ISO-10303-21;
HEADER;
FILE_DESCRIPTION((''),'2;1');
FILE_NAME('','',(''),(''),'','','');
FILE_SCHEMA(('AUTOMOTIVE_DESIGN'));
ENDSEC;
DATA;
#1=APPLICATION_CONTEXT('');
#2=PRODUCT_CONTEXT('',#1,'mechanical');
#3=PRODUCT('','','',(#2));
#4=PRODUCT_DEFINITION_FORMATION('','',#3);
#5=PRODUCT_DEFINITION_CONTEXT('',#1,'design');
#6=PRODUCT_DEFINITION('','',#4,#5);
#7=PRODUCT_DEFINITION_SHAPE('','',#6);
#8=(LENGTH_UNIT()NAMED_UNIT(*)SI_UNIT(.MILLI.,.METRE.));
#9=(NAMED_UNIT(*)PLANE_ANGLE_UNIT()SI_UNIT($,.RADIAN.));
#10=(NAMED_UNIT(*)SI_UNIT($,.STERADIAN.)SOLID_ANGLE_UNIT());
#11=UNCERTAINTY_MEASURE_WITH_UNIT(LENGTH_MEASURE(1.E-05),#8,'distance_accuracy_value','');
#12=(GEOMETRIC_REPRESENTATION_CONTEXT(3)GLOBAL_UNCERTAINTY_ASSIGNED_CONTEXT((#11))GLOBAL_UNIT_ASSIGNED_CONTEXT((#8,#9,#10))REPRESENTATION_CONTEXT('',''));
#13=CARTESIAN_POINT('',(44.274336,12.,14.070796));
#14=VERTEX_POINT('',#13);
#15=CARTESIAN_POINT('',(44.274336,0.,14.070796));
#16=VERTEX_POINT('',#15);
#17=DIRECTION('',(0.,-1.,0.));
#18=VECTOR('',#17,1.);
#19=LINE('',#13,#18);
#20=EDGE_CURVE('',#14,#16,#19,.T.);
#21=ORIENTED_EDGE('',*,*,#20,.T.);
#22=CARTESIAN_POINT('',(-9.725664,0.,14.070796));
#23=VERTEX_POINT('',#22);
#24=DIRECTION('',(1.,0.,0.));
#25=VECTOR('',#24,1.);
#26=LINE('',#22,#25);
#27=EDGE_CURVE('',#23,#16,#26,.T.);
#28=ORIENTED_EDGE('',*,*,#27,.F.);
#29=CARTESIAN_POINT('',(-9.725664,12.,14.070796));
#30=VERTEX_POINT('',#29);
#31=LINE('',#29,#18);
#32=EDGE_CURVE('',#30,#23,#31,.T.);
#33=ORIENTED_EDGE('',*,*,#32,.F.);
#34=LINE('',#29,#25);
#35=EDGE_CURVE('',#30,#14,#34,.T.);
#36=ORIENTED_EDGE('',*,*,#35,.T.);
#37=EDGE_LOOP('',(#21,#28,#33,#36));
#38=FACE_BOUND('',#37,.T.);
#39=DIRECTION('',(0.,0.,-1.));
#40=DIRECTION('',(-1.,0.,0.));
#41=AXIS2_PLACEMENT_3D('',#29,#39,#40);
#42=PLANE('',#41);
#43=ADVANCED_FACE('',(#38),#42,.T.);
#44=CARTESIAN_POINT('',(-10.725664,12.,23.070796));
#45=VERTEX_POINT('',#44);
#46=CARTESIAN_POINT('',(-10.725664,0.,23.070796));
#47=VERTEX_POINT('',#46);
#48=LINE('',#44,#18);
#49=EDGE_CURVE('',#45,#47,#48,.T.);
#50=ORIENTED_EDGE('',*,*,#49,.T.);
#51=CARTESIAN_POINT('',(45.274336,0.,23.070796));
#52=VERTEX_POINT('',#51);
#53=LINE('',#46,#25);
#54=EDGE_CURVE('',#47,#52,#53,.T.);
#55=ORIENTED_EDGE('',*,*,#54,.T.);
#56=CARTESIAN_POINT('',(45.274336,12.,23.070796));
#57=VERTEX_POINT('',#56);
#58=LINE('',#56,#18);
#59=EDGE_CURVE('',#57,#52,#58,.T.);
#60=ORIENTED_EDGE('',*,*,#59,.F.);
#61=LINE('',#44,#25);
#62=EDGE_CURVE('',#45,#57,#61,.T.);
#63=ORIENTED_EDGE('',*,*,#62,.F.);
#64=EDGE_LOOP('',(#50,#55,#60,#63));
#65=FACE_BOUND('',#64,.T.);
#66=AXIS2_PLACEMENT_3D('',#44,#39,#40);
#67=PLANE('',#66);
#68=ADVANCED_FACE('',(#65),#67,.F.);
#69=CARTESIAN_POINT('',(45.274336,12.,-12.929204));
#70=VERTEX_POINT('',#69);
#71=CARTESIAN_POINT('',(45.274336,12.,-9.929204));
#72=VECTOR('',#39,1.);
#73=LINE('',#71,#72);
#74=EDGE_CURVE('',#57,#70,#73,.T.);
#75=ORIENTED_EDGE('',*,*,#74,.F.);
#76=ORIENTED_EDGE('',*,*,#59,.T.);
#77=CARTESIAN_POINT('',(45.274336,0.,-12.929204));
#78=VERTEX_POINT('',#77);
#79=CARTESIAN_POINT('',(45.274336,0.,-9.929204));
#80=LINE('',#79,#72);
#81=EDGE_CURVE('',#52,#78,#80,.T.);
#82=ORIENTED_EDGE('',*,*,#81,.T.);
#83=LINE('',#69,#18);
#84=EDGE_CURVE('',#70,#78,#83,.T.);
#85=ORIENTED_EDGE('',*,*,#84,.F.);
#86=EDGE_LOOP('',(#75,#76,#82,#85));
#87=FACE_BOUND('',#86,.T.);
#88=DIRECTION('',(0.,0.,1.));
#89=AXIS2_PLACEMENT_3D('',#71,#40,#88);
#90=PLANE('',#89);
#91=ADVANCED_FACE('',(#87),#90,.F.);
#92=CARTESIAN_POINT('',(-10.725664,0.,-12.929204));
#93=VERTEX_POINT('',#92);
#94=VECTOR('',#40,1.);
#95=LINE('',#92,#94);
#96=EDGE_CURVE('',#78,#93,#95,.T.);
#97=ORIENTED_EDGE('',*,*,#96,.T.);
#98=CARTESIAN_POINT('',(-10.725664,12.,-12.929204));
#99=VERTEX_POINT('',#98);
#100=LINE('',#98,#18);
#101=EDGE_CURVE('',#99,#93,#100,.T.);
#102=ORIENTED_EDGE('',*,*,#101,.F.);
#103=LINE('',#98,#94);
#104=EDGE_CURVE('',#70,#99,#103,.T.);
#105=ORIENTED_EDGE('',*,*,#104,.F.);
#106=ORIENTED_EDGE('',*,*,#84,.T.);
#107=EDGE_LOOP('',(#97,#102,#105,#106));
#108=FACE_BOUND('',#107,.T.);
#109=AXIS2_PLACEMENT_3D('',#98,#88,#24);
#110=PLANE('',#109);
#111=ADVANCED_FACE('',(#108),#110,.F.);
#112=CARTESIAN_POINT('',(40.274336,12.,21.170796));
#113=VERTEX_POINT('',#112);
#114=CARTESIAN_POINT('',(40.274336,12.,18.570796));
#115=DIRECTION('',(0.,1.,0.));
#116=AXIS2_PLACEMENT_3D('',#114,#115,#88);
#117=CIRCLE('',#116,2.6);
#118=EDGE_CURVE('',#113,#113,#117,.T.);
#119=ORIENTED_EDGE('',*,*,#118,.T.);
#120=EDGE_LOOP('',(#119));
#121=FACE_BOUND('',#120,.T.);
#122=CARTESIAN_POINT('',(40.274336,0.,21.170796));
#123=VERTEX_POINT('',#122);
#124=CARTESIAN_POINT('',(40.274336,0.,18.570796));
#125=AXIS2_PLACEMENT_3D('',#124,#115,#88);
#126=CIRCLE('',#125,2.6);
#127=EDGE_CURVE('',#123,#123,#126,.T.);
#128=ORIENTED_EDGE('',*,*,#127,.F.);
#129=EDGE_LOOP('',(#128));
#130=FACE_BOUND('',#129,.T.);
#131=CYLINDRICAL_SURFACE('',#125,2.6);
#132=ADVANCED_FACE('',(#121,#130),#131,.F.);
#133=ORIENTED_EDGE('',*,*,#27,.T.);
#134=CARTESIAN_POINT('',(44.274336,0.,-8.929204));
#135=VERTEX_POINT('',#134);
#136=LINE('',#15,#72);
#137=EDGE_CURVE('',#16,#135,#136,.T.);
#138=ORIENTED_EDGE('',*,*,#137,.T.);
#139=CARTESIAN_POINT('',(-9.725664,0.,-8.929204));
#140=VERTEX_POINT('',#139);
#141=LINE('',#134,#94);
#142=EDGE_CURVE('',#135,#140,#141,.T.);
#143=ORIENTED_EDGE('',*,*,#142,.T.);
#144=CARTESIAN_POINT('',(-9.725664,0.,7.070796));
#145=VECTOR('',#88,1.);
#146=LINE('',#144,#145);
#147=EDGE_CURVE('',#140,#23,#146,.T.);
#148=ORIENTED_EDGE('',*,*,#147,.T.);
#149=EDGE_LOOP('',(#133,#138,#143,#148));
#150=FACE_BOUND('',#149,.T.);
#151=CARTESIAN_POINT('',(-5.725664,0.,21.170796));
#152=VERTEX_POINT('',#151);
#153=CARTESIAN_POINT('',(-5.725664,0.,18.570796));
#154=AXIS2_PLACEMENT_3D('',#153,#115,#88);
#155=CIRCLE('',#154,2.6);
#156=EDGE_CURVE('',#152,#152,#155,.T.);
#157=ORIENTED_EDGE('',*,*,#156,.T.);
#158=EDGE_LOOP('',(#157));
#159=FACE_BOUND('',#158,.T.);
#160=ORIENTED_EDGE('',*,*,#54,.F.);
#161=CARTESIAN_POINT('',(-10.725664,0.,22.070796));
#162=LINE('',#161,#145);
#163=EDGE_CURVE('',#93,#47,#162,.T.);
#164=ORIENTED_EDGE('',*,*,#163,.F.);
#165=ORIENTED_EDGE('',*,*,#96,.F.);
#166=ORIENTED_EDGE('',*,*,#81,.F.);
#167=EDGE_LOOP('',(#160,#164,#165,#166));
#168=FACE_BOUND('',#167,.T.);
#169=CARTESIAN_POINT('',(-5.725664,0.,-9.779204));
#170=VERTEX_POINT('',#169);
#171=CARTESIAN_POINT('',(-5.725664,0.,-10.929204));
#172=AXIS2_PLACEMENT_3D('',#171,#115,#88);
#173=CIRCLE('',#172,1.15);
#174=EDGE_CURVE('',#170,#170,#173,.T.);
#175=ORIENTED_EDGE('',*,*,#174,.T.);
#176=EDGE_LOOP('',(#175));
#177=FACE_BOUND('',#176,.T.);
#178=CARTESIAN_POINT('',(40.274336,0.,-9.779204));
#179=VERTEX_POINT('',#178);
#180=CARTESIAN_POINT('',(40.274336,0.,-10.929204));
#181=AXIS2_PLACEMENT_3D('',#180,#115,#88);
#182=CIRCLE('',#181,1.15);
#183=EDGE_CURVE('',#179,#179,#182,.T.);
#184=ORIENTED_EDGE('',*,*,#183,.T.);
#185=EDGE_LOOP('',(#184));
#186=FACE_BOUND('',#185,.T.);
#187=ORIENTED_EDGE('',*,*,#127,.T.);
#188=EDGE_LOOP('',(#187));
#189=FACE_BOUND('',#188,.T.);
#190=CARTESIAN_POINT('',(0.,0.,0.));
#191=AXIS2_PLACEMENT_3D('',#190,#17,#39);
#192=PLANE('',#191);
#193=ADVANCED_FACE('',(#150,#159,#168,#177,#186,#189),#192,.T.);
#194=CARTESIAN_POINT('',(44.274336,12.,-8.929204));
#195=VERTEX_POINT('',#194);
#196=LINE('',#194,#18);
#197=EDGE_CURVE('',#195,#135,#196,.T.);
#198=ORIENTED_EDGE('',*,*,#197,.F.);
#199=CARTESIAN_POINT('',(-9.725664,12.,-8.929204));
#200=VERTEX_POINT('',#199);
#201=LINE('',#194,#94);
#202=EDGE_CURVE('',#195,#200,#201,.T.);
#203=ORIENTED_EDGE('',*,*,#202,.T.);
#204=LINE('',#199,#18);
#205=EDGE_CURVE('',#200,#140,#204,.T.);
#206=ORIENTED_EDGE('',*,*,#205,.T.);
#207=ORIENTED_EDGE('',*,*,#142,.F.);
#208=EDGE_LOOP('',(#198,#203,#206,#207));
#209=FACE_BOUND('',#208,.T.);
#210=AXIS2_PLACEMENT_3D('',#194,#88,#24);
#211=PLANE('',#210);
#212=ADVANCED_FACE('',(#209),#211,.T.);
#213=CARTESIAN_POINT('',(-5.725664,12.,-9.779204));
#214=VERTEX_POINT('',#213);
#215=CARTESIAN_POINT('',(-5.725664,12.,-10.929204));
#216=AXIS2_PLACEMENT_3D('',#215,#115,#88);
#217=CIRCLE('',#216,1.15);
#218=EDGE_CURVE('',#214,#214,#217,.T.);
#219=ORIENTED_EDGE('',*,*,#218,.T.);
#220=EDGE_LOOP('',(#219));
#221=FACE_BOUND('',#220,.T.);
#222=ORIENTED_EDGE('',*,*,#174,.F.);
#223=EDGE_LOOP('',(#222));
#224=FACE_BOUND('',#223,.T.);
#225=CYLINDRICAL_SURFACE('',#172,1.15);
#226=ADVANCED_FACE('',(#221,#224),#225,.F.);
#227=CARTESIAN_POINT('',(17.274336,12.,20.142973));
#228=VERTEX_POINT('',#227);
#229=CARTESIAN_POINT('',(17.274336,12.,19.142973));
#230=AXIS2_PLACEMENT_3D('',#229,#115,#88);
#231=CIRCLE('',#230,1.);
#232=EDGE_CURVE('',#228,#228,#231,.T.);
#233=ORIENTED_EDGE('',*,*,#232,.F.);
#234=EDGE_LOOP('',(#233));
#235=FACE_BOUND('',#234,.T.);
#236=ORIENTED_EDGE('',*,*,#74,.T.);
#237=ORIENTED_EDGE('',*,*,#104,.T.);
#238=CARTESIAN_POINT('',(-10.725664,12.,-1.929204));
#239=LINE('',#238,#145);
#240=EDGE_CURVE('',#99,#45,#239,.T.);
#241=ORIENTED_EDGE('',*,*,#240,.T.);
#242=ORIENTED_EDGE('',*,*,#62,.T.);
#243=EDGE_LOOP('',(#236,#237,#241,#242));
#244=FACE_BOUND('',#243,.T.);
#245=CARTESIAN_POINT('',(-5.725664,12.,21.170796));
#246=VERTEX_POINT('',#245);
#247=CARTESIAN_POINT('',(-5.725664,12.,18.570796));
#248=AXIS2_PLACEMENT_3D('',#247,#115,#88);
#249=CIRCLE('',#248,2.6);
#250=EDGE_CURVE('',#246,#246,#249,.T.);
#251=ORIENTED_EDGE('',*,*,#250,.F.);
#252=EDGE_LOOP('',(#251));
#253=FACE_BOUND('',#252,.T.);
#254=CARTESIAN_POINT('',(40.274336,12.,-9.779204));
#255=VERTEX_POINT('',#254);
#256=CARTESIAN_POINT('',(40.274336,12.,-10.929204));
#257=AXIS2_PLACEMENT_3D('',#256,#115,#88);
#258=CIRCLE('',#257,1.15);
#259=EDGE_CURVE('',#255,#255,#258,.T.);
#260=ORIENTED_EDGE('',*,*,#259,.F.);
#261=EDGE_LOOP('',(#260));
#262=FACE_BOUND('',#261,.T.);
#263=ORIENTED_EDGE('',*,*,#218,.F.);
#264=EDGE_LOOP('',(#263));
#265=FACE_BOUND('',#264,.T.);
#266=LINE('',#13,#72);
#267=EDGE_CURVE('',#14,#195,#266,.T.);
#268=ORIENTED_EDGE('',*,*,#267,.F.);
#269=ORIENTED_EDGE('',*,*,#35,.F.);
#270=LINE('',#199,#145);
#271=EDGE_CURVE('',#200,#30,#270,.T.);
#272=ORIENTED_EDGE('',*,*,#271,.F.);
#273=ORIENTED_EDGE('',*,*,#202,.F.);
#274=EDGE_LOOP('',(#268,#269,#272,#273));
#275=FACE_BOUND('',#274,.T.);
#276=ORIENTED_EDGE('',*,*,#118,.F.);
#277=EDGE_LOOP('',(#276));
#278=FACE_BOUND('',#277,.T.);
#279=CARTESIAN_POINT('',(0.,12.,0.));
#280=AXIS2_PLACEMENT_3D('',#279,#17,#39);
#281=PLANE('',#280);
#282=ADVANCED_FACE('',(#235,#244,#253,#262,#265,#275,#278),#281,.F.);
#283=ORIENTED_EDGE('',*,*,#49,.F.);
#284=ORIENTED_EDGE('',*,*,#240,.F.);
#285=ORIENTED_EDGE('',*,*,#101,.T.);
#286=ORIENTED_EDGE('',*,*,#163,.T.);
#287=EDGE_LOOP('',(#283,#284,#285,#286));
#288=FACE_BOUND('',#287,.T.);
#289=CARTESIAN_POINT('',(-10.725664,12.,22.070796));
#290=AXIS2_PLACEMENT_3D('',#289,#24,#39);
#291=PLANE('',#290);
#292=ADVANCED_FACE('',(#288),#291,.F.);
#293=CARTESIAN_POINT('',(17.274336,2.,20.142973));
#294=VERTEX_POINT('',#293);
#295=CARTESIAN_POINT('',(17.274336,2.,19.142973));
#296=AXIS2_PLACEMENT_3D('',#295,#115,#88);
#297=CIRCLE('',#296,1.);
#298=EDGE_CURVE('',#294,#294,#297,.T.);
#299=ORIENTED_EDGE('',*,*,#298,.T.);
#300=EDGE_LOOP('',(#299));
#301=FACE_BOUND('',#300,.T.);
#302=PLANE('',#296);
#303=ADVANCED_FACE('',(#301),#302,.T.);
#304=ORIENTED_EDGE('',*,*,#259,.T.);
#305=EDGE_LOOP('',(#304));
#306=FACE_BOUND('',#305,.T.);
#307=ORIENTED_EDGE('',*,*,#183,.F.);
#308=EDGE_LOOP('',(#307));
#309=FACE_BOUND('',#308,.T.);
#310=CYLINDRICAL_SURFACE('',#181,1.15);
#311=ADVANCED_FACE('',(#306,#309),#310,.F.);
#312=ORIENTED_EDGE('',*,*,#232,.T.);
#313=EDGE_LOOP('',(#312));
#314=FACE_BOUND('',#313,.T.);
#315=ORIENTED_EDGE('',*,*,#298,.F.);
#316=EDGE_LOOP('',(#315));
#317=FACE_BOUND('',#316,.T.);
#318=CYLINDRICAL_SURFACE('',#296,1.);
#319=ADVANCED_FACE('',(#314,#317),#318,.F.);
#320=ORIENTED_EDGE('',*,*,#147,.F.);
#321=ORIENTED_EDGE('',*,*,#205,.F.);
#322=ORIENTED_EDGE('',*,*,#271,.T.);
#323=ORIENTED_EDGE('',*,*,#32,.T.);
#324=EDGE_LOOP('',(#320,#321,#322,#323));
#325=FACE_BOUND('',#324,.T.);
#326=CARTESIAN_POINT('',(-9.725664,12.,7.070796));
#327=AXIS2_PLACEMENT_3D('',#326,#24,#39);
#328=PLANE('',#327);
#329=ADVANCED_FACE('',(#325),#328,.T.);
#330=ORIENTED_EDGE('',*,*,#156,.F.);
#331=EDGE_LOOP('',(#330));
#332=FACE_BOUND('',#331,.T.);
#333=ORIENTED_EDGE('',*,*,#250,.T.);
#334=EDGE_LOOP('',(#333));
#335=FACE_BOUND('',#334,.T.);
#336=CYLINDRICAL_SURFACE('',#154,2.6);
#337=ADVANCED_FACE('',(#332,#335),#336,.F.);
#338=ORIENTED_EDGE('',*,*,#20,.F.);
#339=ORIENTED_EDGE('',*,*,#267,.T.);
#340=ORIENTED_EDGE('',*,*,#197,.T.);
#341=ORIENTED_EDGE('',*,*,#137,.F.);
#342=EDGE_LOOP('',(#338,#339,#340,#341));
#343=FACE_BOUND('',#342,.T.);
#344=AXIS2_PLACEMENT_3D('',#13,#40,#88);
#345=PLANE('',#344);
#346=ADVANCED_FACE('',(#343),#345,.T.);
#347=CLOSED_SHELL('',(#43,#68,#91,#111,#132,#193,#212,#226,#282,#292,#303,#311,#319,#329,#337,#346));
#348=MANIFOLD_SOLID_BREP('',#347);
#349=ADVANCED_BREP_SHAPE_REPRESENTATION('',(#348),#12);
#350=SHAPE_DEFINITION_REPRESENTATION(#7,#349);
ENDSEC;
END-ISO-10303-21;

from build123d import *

# Parameters (mm, degrees)
EXTRUDE_1_DEPTH     = 12
SKETCH_4_W          = 56
SKETCH_4_H          = 3
SKETCH_4_H_2        = 1
EXTRUDE_2_DEPTH     = 12
SKETCH_5_R          = 1.15
SKETCH_5_R_2        = 2.6
CUT_EXTRUDE_2_DEPTH = 53.211370172
SKETCH_7_R          = 1
CUT_EXTRUDE_3_DEPTH = 10


with BuildPart() as part:
    # 草图2 → 凸台-拉伸1 (new body)
    with BuildSketch(Plane(origin=(0, 0, 0), x_dir=(1, 0, 0), z_dir=(0, 1, 0))):
        Polygon((-10.725663717, 9.92920354), (45.274336283, 9.92920354), (45.274336283, -22.07079646), (-10.725663717, -22.07079646), (-10.725663717, -7.07079646), (-10.725663717, 1.92920354), align=None)
        Polygon((-9.725663717, -7.07079646), (-9.725663717, -14.07079646), (44.274336283, -14.07079646), (44.274336283, 8.92920354), (-9.725663717, 8.92920354), (-9.725663717, 0.92920354), align=None, mode=Mode.SUBTRACT)
    extrude(amount=EXTRUDE_1_DEPTH)

    # 草图4 → 凸台-拉伸2 (add)
    with BuildSketch(Plane(origin=(0, 0, 0), x_dir=(1, 0, 0), z_dir=(0, 1, 0))):
        with Locations((17.274336283, 11.42920354)):
            Rectangle(SKETCH_4_W, SKETCH_4_H)
        with Locations((17.274336283, -22.57079646)):
            Rectangle(SKETCH_4_W, SKETCH_4_H_2)
    extrude(amount=EXTRUDE_2_DEPTH)

    # 草图5 → 切除-拉伸2 (cut, through all)
    with BuildSketch(Plane(origin=(0, 12, 0), x_dir=(1, 0, 0), z_dir=(0, 1, 0))):
        with Locations(Location((-5.725663717, 10.92920354, 0), (0, 0, 270))):
            Circle(SKETCH_5_R)
        with Locations(Location((40.274336283, 10.92920354, 0), (0, 0, 270))):
            Circle(SKETCH_5_R)
        with Locations(Location((-5.725663717, -18.57079646, 0), (0, 0, 270))):
            Circle(SKETCH_5_R_2)
        with Locations(Location((40.274336283, -18.57079646, 0), (0, 0, 270))):
            Circle(SKETCH_5_R_2)
    extrude(amount=-CUT_EXTRUDE_2_DEPTH, mode=Mode.SUBTRACT)

    # 草图7 → 切除-拉伸3 (cut)
    with BuildSketch(Plane(origin=(0, 12, 0), x_dir=(1, 0, 0), z_dir=(0, 1, 0))):
        with Locations(Location((17.274336283, -19.142973174, 0), (0, 0, 270))):
            Circle(SKETCH_7_R)
    extrude(amount=-CUT_EXTRUDE_3_DEPTH, mode=Mode.SUBTRACT)


solid = part.part
